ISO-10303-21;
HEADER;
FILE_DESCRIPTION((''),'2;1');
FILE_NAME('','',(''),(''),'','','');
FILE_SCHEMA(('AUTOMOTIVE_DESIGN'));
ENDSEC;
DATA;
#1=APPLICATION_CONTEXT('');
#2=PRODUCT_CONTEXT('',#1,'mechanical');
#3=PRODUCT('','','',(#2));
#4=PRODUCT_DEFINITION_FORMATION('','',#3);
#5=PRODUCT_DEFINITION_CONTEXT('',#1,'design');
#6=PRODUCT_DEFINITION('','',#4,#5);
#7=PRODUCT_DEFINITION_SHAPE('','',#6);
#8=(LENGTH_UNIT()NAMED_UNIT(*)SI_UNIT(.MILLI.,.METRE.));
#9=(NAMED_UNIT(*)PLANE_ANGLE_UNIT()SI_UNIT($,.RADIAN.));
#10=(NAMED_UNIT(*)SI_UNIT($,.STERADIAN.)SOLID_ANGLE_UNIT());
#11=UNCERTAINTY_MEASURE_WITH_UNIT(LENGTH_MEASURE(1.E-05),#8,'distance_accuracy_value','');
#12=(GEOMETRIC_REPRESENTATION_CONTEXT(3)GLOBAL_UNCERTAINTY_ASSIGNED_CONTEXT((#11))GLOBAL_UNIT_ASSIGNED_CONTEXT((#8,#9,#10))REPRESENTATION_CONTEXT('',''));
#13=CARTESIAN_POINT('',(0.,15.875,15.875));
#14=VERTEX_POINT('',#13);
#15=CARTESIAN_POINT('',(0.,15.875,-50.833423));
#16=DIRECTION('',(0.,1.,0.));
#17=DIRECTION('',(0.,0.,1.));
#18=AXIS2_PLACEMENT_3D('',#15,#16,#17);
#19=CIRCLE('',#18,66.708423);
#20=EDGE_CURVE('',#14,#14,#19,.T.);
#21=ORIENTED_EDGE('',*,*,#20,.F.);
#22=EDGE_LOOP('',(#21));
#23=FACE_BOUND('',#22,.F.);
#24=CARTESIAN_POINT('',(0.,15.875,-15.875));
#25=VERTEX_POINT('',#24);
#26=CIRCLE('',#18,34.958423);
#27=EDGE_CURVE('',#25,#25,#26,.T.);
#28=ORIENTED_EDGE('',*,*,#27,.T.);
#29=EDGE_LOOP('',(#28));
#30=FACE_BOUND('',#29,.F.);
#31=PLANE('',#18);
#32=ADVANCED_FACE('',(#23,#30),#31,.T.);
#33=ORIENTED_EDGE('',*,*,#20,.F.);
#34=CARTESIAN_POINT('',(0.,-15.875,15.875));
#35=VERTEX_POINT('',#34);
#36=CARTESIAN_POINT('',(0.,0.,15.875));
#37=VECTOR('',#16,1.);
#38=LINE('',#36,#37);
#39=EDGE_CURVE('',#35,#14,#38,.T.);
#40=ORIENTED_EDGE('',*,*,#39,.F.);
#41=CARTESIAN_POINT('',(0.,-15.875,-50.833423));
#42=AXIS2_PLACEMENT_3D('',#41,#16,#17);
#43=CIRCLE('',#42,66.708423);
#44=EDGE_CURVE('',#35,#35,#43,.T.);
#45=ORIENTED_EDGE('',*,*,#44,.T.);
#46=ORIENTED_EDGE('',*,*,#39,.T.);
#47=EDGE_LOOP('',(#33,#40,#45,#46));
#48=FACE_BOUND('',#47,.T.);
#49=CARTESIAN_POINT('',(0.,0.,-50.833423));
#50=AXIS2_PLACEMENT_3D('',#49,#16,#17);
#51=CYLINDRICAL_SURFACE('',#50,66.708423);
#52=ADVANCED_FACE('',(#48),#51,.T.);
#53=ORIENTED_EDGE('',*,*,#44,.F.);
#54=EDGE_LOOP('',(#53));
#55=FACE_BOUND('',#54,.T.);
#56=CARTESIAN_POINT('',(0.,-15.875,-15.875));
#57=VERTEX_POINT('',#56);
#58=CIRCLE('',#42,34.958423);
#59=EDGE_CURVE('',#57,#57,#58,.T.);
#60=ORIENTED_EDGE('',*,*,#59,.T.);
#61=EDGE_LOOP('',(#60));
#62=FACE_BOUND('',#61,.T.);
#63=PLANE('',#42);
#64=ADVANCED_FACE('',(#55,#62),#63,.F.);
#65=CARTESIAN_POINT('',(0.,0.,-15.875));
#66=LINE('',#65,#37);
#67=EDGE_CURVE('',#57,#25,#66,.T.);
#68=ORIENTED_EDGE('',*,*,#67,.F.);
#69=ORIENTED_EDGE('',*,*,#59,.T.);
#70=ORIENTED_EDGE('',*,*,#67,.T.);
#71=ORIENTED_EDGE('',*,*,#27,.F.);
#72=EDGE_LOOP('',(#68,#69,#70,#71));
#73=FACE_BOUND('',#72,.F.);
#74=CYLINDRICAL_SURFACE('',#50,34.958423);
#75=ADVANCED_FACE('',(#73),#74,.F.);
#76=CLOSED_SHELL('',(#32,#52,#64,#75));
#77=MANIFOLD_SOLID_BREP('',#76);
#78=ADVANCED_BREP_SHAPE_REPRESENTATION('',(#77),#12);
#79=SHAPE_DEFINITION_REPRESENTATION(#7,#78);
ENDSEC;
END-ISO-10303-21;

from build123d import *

# Parameters (mm, degrees)
F0_W = 31.75
F0_H = 31.75


with BuildPart() as f2:
    # F0 (on Right) → F2 (revolve)
    with BuildSketch(Plane.YZ):
        Rectangle(F0_W, F0_H)
    revolve(axis=Axis((0, 0.300789, -50.833423), (0, 1, 0)))


solid = f2.part
